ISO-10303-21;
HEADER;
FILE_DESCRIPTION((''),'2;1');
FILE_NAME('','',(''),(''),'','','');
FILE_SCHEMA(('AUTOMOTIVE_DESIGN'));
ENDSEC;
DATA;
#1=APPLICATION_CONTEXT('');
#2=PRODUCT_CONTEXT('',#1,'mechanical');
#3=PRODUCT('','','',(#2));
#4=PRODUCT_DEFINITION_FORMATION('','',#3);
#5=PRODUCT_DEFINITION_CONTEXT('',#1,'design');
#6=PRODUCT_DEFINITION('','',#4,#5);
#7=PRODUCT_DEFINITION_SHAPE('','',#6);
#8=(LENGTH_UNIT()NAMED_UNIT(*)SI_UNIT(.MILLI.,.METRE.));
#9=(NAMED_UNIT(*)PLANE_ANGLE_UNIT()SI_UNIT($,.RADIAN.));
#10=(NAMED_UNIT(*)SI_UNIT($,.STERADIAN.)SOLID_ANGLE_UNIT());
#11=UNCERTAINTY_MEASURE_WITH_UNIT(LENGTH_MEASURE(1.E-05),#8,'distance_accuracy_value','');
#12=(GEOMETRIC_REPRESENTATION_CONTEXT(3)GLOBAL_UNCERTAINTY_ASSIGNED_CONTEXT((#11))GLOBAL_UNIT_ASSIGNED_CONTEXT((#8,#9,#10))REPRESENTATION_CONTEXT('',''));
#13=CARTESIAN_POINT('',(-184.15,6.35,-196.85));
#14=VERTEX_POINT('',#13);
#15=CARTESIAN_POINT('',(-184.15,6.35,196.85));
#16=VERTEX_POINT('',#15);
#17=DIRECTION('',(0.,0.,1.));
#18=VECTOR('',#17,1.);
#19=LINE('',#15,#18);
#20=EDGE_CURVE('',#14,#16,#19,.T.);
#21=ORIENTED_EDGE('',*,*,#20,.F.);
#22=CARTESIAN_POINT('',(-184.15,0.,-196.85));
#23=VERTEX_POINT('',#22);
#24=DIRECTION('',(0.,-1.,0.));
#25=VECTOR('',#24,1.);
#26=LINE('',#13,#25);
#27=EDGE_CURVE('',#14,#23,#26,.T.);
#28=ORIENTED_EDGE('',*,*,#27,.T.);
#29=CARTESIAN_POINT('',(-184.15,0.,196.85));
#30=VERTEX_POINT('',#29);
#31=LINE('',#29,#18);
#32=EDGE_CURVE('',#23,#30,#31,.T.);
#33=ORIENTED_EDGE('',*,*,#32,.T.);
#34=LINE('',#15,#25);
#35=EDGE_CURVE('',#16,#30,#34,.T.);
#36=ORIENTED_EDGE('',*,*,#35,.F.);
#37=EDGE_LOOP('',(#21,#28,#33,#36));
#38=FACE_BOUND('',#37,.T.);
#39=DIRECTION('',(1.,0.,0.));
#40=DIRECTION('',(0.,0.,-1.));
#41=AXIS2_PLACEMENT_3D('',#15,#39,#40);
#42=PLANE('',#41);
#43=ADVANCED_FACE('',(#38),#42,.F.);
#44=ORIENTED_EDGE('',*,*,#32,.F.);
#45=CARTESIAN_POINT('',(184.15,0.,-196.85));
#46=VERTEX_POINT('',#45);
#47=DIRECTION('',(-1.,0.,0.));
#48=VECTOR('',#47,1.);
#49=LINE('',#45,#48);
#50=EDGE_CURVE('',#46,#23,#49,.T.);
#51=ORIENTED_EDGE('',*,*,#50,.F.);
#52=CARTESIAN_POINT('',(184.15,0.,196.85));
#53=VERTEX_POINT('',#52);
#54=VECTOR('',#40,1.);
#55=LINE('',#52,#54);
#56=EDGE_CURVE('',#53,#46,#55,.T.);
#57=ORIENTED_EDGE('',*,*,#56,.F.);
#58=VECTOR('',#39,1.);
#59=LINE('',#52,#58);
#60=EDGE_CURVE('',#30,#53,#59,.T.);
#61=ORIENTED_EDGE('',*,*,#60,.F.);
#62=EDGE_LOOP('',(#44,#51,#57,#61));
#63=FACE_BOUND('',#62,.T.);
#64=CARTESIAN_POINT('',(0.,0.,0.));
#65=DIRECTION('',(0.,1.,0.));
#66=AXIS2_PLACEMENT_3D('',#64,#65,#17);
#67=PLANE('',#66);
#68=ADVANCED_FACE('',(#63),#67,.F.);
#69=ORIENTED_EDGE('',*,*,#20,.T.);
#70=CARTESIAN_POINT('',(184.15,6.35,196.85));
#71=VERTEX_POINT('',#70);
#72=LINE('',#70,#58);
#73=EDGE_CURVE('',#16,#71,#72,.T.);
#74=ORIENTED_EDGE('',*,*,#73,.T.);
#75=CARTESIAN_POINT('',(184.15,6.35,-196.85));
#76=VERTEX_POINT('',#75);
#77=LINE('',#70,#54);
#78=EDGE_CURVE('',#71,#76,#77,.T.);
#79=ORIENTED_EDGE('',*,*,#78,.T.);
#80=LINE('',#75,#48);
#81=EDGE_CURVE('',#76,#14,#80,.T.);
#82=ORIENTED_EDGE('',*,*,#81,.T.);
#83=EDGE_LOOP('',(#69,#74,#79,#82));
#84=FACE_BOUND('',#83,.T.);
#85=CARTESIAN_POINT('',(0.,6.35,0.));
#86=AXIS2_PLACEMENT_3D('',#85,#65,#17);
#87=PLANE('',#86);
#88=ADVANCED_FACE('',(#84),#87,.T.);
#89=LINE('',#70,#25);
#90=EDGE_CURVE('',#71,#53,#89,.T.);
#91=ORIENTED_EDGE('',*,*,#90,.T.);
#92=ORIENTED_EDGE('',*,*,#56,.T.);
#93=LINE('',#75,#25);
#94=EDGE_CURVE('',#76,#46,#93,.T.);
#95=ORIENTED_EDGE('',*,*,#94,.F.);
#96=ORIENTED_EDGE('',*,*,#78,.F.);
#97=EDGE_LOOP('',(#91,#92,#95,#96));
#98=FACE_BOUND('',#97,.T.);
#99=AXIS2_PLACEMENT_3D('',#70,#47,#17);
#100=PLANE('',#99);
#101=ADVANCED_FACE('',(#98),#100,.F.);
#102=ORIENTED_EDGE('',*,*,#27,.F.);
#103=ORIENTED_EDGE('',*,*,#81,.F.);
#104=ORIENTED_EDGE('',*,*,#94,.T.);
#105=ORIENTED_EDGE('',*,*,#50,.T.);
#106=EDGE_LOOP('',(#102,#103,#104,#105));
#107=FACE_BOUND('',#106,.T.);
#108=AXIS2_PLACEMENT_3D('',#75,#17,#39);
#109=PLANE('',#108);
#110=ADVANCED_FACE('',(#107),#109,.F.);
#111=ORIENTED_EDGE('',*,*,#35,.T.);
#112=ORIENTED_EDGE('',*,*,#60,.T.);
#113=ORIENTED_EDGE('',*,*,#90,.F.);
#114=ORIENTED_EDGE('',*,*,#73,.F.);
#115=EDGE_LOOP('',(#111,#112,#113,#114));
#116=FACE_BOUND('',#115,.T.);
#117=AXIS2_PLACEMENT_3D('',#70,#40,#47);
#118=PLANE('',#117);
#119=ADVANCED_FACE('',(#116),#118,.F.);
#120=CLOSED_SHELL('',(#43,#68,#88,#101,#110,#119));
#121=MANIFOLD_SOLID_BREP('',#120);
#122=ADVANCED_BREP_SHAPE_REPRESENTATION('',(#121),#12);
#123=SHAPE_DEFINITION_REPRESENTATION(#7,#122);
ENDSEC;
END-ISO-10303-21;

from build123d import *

# Parameters (mm, degrees)
SKETCH1_W           = 368.3
SKETCH1_H           = 393.7
BOSS_EXTRUDE1_DEPTH = 6.35


with BuildPart() as part:
    # Sketch1 → Boss-Extrude1 (new body)
    with BuildSketch(Plane(origin=(0, 0, 0), x_dir=(1, 0, 0), z_dir=(0, 1, 0))):
        Rectangle(SKETCH1_W, SKETCH1_H)
    extrude(amount=BOSS_EXTRUDE1_DEPTH)


solid = part.part
